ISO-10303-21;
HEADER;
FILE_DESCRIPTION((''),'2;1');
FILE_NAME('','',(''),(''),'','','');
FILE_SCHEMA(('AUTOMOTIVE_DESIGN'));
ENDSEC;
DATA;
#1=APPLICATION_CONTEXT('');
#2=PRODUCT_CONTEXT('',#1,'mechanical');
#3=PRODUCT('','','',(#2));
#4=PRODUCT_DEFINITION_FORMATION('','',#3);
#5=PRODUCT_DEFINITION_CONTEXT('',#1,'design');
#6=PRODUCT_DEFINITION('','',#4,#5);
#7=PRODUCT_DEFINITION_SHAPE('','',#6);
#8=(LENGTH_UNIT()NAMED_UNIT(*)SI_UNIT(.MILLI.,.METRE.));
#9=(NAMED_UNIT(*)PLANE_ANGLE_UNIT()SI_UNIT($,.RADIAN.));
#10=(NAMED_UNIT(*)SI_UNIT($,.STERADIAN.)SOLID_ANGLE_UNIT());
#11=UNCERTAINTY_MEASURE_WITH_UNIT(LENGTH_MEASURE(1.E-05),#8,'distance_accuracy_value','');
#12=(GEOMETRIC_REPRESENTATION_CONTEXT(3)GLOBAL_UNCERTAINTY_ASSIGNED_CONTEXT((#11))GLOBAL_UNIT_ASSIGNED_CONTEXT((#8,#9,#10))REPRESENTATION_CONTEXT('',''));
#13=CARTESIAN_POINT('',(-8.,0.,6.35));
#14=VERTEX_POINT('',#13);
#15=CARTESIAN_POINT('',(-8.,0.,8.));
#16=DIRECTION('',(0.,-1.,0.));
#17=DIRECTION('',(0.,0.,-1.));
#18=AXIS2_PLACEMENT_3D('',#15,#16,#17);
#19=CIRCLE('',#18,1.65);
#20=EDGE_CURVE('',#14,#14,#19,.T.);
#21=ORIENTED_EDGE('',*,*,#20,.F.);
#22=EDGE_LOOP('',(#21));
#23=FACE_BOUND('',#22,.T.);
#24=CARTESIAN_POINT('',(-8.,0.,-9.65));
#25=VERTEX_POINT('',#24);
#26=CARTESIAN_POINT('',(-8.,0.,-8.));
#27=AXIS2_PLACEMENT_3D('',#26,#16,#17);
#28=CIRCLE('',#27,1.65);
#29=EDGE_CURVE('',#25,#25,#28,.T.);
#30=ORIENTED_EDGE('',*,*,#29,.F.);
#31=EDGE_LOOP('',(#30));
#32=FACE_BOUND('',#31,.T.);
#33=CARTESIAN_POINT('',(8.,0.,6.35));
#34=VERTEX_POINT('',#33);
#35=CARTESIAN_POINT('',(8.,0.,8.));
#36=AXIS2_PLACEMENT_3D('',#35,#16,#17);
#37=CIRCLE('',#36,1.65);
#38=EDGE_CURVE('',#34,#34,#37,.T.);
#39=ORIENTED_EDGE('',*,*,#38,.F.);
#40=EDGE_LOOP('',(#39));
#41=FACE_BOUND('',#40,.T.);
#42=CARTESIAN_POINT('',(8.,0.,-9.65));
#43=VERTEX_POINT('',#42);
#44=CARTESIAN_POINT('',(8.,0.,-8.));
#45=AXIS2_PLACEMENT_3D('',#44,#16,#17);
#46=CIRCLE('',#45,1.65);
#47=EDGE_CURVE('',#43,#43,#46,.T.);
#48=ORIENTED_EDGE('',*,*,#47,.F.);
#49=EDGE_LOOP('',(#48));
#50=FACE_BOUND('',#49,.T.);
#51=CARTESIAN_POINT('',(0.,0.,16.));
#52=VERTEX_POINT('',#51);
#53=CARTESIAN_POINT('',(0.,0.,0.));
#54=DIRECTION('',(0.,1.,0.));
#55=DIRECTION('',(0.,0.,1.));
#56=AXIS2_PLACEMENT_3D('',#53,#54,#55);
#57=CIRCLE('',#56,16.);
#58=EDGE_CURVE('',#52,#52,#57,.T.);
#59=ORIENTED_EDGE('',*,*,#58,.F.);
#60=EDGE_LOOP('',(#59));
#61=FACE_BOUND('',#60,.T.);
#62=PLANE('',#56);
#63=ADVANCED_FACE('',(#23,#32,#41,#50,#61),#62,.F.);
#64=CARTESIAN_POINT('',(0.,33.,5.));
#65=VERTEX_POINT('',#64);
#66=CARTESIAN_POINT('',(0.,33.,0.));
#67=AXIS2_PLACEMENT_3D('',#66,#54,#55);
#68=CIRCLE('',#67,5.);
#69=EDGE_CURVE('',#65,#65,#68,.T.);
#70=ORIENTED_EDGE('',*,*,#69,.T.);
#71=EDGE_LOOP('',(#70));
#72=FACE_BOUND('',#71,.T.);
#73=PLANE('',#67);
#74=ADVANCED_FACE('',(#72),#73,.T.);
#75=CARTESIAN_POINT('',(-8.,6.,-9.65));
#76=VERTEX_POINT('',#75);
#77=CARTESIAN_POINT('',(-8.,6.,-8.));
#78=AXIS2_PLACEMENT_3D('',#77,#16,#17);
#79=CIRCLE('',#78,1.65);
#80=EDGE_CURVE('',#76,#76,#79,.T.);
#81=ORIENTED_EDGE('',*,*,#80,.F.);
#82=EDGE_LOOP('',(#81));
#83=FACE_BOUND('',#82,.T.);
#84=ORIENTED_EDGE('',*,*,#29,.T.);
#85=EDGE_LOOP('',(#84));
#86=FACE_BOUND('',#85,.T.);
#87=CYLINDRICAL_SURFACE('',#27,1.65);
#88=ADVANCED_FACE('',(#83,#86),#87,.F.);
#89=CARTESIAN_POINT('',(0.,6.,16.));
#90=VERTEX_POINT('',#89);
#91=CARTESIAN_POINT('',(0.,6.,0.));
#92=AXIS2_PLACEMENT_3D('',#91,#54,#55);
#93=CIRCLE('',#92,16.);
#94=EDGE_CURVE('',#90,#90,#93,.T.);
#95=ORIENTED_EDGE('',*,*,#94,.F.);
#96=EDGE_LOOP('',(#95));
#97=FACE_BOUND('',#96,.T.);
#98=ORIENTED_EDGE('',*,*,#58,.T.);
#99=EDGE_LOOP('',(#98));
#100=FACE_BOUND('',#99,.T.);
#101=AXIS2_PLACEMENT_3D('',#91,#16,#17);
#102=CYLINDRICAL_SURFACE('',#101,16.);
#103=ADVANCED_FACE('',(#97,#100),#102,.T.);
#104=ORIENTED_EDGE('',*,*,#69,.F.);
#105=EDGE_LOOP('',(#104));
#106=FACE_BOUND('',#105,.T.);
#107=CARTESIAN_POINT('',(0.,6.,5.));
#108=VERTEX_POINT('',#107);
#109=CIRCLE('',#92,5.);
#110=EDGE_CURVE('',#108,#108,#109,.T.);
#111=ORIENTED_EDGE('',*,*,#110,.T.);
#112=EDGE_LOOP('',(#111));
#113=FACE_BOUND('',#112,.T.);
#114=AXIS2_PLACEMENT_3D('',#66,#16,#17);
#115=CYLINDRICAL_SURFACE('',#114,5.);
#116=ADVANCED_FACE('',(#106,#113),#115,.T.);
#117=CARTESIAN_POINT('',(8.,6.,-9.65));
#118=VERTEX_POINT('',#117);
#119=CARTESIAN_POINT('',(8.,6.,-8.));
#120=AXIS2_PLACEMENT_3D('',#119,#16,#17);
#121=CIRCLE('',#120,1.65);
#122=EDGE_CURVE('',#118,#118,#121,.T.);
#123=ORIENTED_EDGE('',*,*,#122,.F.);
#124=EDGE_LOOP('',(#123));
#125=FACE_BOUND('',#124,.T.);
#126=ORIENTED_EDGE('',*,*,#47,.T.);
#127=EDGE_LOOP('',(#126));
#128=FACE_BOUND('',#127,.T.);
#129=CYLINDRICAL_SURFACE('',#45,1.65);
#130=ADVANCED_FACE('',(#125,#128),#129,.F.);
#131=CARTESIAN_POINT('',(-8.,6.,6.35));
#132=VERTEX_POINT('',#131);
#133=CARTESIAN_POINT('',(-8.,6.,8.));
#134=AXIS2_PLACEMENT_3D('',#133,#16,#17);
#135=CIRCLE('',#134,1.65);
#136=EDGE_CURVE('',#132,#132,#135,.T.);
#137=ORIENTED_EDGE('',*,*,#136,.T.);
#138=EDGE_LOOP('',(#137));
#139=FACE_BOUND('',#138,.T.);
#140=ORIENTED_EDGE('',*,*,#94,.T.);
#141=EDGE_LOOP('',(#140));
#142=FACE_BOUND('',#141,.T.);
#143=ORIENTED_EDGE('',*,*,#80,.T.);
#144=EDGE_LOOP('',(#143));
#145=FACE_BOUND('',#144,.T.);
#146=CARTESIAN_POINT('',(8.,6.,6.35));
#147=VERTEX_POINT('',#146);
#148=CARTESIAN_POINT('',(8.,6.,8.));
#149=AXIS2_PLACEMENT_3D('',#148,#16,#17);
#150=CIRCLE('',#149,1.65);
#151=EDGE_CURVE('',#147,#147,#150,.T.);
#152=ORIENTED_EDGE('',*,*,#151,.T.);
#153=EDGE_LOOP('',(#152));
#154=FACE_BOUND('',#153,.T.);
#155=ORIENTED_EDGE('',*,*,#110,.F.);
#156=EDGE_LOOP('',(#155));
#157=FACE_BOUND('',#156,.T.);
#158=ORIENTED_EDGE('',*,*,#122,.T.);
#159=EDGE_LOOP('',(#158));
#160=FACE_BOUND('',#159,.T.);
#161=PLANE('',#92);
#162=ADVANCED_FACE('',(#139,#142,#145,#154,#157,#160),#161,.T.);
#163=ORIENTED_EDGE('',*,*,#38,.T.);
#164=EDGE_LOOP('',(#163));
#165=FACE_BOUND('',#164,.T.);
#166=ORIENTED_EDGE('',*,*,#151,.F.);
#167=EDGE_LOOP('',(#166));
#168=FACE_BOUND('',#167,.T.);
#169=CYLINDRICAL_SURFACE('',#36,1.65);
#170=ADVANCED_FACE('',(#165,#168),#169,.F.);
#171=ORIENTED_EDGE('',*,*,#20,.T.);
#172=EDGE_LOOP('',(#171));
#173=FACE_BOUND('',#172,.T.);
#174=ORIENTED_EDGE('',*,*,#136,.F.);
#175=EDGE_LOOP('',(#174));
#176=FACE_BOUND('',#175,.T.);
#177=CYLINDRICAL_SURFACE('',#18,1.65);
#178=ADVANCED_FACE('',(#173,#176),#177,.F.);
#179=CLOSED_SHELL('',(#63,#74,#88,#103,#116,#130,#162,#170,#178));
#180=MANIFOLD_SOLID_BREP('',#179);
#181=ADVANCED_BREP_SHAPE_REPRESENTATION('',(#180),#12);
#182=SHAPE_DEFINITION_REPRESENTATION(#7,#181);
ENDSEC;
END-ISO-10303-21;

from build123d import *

# Parameters (mm, degrees)
SKETCH1_R                   = 16
BOSS_EXTRUDE1_DEPTH         = 6
TAP_DRILL_FOR_M4X0_7_TAP1_D = 3.3
SKETCH3_R                   = 5
BOSS_EXTRUDE2_DEPTH         = 27


with BuildPart() as part:
    # Sketch1 → Boss-Extrude1 (new body)
    with BuildSketch(Plane(origin=(0, 0, 0), x_dir=(1, 0, 0), z_dir=(0, 1, 0))):
        with Locations(Location((0, 0, 0), (0, 0, 270))):
            Circle(SKETCH1_R)
    extrude(amount=BOSS_EXTRUDE1_DEPTH)

    # Tap Drill for M4x0.7 Tap1 (through all)
    with Locations(Plane(origin=(0, 0, 0), x_dir=(-1, 0, 0), z_dir=(0, -1, 0))):
        with Locations((-8, 8), (-8, -8), (8, -8), (8, 8)):
            Hole(TAP_DRILL_FOR_M4X0_7_TAP1_D / 2)

    # Sketch3 → Boss-Extrude2 (add)
    with BuildSketch(Plane(origin=(0, 6, 0), x_dir=(1, 0, 0), z_dir=(0, 1, 0))):
        with Locations(Location((0, 0, 0), (0, 0, 270))):
            Circle(SKETCH3_R)
    extrude(amount=BOSS_EXTRUDE2_DEPTH)


solid = part.part
